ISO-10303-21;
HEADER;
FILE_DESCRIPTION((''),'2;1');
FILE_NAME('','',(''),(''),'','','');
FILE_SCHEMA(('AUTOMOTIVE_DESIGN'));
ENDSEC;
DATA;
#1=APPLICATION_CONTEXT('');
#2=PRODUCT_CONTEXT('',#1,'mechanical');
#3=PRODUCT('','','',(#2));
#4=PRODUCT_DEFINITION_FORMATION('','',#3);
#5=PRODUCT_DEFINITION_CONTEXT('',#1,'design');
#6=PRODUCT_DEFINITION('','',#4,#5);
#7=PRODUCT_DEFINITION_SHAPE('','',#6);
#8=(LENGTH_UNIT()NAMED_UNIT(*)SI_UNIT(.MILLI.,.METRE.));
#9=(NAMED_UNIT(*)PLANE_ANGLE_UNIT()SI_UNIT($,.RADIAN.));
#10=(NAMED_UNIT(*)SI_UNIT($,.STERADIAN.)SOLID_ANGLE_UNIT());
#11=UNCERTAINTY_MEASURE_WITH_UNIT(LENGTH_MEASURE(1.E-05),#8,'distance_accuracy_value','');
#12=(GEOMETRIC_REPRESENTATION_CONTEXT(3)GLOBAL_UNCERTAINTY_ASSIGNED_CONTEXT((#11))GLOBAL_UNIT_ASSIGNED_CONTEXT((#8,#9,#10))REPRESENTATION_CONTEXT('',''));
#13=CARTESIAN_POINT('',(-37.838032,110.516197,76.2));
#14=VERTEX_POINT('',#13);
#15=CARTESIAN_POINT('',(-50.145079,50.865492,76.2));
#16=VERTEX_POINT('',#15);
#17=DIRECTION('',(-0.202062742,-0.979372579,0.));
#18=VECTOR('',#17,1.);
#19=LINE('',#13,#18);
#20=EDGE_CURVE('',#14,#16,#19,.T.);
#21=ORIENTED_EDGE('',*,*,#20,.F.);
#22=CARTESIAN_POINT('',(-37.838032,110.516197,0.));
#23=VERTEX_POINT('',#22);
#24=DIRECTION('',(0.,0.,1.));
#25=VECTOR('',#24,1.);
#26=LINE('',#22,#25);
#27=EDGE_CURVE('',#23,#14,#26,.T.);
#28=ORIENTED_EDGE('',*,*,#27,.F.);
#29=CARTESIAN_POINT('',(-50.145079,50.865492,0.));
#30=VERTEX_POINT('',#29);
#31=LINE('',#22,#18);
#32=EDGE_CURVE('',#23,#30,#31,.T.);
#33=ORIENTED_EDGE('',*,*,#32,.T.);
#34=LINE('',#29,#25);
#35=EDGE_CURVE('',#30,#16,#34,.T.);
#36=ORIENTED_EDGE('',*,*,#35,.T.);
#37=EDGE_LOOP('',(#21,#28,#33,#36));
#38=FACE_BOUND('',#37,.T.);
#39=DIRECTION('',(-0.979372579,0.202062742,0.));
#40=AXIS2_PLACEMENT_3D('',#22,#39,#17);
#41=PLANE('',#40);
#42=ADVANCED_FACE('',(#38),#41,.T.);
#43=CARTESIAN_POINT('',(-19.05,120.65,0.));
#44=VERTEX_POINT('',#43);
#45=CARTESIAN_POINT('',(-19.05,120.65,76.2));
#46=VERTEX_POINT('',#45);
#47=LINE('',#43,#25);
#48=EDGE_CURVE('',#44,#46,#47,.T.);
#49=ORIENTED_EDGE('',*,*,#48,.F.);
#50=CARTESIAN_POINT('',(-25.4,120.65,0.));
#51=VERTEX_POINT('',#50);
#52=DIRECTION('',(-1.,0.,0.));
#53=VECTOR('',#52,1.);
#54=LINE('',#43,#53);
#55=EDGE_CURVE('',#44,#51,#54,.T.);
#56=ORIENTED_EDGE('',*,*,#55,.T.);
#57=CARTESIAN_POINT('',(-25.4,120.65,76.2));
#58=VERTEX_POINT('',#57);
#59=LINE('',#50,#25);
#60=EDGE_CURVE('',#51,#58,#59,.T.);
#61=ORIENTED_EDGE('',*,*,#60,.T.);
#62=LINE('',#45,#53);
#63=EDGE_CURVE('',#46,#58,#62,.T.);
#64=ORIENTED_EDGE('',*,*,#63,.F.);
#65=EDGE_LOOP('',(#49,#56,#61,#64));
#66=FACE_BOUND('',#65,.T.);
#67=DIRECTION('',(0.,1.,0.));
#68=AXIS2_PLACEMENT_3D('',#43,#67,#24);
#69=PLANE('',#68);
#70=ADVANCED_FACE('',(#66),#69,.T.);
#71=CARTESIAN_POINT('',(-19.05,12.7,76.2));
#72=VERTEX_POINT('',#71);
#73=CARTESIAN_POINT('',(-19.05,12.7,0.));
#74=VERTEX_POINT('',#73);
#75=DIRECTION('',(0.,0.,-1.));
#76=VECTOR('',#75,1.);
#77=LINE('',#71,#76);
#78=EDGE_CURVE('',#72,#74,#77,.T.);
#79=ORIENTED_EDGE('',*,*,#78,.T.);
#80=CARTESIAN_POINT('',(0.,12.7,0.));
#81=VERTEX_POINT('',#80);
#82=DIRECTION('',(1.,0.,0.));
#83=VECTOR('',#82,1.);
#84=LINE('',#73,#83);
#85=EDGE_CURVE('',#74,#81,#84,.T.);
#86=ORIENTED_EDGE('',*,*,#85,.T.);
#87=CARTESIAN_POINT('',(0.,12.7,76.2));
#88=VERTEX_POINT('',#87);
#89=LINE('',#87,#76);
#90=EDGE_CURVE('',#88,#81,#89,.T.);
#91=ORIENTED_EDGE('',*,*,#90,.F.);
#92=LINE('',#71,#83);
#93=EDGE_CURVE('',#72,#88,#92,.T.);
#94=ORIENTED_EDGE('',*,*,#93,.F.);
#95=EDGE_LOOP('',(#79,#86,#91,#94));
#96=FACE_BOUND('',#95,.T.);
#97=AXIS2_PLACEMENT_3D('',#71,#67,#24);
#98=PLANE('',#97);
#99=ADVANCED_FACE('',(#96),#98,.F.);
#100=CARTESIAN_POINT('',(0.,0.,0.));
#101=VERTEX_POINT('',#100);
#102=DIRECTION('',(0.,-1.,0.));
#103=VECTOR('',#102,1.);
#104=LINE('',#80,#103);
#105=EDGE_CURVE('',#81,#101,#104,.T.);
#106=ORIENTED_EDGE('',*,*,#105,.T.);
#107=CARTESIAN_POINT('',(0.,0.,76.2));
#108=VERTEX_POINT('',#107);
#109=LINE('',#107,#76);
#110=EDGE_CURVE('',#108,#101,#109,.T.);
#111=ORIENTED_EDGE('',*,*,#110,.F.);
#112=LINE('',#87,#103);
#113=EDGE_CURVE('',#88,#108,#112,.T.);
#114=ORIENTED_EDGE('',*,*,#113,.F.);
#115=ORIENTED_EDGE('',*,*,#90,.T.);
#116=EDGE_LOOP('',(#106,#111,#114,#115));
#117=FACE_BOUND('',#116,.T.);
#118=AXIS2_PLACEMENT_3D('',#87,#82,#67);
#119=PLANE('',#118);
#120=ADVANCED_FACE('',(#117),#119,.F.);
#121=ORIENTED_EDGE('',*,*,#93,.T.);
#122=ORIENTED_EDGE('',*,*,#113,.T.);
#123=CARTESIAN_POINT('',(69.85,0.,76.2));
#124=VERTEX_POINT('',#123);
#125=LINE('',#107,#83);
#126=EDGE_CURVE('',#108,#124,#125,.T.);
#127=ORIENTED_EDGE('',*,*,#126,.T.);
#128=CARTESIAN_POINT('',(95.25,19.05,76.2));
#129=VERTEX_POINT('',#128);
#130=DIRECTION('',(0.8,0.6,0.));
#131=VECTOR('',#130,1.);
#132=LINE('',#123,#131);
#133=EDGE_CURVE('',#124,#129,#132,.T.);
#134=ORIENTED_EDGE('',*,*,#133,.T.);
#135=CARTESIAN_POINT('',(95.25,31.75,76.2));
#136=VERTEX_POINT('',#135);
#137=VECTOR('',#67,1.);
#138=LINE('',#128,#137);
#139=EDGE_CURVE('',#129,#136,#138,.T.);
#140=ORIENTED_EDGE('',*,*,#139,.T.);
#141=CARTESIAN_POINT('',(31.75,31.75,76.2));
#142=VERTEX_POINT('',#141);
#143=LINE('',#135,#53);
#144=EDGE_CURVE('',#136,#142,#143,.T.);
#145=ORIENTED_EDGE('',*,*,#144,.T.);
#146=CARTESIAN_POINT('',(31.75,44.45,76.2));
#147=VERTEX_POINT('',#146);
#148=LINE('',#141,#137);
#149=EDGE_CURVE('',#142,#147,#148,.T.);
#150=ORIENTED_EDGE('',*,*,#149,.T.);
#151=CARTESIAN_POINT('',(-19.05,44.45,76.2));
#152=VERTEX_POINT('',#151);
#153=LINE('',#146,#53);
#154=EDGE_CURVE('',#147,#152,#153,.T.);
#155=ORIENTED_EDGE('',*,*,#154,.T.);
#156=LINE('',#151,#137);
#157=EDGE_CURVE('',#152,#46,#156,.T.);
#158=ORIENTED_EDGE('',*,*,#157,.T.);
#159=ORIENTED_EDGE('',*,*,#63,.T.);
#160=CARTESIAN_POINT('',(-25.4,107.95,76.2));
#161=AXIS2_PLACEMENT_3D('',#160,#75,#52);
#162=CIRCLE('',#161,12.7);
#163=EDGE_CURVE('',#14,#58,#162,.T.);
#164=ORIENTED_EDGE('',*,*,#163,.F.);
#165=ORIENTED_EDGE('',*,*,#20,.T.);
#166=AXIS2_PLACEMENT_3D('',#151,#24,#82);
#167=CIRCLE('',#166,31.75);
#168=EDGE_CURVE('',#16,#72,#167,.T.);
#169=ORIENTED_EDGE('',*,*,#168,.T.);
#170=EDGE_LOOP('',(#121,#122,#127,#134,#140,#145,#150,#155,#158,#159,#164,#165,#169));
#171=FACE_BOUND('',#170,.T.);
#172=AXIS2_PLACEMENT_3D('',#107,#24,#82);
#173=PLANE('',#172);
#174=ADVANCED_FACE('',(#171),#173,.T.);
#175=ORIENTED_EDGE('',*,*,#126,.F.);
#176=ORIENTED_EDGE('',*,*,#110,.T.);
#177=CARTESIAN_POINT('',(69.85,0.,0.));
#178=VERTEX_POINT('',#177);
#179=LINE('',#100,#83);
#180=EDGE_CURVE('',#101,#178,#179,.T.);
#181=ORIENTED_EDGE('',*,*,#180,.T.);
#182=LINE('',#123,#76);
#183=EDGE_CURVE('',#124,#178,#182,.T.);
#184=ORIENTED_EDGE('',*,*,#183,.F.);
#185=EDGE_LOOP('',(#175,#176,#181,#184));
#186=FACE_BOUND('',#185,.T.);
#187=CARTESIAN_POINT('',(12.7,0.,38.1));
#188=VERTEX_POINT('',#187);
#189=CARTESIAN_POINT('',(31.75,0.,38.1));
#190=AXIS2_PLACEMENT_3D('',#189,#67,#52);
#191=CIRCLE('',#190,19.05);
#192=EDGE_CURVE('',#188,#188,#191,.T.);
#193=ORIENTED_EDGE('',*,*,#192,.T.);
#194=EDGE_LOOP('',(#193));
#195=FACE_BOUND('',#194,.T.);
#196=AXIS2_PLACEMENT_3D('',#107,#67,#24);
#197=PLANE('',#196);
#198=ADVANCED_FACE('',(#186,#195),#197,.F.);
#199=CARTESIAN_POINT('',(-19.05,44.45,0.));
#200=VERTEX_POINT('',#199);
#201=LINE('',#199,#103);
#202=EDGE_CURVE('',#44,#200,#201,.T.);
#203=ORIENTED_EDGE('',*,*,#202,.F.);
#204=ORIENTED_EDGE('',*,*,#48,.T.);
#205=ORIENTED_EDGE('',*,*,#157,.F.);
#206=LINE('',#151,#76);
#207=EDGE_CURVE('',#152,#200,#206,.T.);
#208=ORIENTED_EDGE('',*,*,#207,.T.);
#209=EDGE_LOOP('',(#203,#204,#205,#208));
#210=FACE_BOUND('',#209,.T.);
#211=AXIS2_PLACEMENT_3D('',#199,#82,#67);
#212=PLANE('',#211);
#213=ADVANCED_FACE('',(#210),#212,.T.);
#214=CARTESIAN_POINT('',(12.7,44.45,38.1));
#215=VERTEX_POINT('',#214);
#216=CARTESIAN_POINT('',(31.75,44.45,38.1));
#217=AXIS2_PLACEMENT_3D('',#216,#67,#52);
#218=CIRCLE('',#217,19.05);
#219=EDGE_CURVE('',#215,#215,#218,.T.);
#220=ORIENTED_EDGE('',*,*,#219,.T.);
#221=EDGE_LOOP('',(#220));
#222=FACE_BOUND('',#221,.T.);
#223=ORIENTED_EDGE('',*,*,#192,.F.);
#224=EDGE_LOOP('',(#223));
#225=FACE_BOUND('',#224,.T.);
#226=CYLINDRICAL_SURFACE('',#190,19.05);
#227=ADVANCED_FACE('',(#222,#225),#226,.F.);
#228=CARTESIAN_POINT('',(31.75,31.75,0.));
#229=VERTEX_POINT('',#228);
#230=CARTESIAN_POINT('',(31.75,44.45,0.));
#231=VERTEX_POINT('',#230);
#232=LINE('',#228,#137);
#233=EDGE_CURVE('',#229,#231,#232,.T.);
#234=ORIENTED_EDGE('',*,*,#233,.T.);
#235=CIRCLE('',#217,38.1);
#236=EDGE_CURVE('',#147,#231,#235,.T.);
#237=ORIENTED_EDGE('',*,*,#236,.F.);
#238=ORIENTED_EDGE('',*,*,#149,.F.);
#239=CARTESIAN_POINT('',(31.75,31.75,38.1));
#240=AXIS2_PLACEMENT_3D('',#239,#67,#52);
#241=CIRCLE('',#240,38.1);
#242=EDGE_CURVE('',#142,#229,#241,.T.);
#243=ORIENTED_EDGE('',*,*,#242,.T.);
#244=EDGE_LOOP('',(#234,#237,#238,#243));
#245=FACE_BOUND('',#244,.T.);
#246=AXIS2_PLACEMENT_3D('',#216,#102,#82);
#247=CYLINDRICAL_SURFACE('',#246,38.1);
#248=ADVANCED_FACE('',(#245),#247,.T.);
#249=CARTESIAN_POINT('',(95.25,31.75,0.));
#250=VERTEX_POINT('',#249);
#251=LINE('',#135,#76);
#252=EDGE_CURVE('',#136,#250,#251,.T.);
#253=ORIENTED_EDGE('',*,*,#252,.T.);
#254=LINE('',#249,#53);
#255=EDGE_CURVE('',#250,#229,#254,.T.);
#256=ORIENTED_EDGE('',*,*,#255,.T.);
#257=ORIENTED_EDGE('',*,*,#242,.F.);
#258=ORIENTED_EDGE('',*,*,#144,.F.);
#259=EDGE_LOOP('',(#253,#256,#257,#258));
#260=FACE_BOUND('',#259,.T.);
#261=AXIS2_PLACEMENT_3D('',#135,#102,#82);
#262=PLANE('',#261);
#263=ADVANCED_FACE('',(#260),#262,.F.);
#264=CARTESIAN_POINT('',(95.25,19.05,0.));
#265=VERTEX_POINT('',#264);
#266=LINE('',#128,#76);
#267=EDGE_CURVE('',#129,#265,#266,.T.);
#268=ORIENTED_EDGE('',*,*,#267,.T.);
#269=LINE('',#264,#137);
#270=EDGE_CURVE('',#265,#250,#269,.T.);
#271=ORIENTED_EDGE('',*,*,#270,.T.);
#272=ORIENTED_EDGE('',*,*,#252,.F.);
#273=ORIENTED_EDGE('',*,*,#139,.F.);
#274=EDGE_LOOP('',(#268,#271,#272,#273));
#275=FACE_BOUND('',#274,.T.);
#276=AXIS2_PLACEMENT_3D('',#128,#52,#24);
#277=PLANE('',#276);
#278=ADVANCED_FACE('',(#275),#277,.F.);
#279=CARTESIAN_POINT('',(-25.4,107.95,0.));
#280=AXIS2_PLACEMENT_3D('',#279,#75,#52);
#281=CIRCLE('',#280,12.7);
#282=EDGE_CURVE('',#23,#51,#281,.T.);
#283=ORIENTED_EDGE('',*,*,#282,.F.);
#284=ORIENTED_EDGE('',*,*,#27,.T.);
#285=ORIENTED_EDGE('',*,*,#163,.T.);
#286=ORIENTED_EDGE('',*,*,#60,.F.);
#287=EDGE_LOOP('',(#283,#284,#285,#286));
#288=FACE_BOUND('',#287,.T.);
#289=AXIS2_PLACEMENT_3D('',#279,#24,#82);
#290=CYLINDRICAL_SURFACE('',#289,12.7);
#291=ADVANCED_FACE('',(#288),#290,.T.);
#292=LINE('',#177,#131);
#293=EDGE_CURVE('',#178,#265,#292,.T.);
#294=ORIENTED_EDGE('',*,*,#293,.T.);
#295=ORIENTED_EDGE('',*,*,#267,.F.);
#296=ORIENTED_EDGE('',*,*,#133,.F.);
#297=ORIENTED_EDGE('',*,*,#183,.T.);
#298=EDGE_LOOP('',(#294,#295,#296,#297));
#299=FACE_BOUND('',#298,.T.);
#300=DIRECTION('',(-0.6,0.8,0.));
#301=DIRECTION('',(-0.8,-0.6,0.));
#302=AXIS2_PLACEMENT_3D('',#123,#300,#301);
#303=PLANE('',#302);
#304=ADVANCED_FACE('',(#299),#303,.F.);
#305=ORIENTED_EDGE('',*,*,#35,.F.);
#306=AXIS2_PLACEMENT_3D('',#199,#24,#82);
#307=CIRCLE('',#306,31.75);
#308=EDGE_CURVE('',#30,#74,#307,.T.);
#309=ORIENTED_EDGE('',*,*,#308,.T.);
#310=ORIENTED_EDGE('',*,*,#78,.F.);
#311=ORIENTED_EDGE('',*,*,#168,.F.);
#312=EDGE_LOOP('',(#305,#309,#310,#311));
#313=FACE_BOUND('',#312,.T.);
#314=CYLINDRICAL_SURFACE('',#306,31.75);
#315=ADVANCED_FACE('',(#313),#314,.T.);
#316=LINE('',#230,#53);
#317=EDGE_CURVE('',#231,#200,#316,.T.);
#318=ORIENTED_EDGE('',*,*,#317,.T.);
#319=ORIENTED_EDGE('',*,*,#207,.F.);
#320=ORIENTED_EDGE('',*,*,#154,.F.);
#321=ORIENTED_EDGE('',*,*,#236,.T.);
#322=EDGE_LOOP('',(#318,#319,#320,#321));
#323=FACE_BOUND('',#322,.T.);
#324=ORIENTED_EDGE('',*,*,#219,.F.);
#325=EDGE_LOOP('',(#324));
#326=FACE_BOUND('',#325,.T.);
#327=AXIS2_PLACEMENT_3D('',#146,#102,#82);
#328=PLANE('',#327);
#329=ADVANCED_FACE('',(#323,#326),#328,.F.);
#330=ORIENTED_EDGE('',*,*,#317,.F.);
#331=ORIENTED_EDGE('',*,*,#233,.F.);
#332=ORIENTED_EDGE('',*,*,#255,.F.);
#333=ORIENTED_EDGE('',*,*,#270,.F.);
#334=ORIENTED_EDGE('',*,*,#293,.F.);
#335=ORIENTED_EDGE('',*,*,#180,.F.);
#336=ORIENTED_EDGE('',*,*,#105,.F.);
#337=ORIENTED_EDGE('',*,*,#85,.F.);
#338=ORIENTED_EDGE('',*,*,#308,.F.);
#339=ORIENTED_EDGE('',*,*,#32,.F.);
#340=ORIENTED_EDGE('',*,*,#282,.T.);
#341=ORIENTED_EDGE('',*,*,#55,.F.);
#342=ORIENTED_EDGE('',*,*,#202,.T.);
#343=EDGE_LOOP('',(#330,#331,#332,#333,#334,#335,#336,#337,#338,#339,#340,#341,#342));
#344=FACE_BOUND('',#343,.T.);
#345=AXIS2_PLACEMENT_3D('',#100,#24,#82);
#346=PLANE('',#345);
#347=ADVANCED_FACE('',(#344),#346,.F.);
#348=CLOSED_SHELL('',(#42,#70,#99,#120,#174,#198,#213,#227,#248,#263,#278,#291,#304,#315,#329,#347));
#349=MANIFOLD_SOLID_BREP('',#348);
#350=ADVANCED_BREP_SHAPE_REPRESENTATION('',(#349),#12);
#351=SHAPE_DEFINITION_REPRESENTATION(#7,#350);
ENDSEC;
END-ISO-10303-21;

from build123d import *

# Parameters (mm, degrees)
BOSS_EXTRUDE1_DEPTH = 76.2
SKETCH2_R           = 38.1
BOSS_EXTRUDE2_DEPTH = 12.7
SKETCH3_R           = 19.05
CUT_EXTRUDE1_DEPTH  = 45.45
BOSS_EXTRUDE3_DEPTH = 76.2


with BuildPart() as part:
    # Sketch1 → Boss-Extrude1 (new body)
    with BuildSketch(Plane.XY):
        Polygon((0, 0), (69.85, 0), (95.25, 19.05), (95.25, 31.75), (31.75, 31.75), (31.75, 44.45), (-19.05, 44.45), (-19.05, 12.7), (0, 12.7), align=None)
    extrude(amount=BOSS_EXTRUDE1_DEPTH)

    # Sketch2 → Boss-Extrude2 (add, through all)
    with BuildSketch(Plane(origin=(0, 31.75, 0), x_dir=(1, 0, 0), z_dir=(0, 1, 0))):
        with Locations((31.75, -38.1)):
            Circle(SKETCH2_R)
    extrude(amount=BOSS_EXTRUDE2_DEPTH)

    # Sketch3 → Cut-Extrude1 (cut, through all)
    with BuildSketch(Plane(origin=(0, 44.45, 0), x_dir=(1, 0, 0), z_dir=(0, 1, 0))):
        with Locations((31.75, -38.1)):
            Circle(SKETCH3_R)
    extrude(amount=-CUT_EXTRUDE1_DEPTH, mode=Mode.SUBTRACT)

    # Sketch4 → Boss-Extrude3 (add, through all)
    with BuildSketch(Plane.XY.offset(76.2)):
        with BuildLine():
            Line((-19.05, 44.45), (-19.05, 120.65))
            Line((-19.05, 120.65), (-25.4, 120.65))
            ThreePointArc((-25.4, 120.65), (-33.421823369, 117.795829058), (-37.838031752, 110.516196825))
            Line((-37.838031752, 110.516196825), (-50.145079379, 50.865492062))
            ThreePointArc((-50.145079379, 50.865492062), (-43.664572645, 24.395441578), (-19.05, 12.7))
            Line((-19.05, 12.7), (-19.05, 44.45))
        make_face()
    extrude(amount=-BOSS_EXTRUDE3_DEPTH)


solid = part.part
